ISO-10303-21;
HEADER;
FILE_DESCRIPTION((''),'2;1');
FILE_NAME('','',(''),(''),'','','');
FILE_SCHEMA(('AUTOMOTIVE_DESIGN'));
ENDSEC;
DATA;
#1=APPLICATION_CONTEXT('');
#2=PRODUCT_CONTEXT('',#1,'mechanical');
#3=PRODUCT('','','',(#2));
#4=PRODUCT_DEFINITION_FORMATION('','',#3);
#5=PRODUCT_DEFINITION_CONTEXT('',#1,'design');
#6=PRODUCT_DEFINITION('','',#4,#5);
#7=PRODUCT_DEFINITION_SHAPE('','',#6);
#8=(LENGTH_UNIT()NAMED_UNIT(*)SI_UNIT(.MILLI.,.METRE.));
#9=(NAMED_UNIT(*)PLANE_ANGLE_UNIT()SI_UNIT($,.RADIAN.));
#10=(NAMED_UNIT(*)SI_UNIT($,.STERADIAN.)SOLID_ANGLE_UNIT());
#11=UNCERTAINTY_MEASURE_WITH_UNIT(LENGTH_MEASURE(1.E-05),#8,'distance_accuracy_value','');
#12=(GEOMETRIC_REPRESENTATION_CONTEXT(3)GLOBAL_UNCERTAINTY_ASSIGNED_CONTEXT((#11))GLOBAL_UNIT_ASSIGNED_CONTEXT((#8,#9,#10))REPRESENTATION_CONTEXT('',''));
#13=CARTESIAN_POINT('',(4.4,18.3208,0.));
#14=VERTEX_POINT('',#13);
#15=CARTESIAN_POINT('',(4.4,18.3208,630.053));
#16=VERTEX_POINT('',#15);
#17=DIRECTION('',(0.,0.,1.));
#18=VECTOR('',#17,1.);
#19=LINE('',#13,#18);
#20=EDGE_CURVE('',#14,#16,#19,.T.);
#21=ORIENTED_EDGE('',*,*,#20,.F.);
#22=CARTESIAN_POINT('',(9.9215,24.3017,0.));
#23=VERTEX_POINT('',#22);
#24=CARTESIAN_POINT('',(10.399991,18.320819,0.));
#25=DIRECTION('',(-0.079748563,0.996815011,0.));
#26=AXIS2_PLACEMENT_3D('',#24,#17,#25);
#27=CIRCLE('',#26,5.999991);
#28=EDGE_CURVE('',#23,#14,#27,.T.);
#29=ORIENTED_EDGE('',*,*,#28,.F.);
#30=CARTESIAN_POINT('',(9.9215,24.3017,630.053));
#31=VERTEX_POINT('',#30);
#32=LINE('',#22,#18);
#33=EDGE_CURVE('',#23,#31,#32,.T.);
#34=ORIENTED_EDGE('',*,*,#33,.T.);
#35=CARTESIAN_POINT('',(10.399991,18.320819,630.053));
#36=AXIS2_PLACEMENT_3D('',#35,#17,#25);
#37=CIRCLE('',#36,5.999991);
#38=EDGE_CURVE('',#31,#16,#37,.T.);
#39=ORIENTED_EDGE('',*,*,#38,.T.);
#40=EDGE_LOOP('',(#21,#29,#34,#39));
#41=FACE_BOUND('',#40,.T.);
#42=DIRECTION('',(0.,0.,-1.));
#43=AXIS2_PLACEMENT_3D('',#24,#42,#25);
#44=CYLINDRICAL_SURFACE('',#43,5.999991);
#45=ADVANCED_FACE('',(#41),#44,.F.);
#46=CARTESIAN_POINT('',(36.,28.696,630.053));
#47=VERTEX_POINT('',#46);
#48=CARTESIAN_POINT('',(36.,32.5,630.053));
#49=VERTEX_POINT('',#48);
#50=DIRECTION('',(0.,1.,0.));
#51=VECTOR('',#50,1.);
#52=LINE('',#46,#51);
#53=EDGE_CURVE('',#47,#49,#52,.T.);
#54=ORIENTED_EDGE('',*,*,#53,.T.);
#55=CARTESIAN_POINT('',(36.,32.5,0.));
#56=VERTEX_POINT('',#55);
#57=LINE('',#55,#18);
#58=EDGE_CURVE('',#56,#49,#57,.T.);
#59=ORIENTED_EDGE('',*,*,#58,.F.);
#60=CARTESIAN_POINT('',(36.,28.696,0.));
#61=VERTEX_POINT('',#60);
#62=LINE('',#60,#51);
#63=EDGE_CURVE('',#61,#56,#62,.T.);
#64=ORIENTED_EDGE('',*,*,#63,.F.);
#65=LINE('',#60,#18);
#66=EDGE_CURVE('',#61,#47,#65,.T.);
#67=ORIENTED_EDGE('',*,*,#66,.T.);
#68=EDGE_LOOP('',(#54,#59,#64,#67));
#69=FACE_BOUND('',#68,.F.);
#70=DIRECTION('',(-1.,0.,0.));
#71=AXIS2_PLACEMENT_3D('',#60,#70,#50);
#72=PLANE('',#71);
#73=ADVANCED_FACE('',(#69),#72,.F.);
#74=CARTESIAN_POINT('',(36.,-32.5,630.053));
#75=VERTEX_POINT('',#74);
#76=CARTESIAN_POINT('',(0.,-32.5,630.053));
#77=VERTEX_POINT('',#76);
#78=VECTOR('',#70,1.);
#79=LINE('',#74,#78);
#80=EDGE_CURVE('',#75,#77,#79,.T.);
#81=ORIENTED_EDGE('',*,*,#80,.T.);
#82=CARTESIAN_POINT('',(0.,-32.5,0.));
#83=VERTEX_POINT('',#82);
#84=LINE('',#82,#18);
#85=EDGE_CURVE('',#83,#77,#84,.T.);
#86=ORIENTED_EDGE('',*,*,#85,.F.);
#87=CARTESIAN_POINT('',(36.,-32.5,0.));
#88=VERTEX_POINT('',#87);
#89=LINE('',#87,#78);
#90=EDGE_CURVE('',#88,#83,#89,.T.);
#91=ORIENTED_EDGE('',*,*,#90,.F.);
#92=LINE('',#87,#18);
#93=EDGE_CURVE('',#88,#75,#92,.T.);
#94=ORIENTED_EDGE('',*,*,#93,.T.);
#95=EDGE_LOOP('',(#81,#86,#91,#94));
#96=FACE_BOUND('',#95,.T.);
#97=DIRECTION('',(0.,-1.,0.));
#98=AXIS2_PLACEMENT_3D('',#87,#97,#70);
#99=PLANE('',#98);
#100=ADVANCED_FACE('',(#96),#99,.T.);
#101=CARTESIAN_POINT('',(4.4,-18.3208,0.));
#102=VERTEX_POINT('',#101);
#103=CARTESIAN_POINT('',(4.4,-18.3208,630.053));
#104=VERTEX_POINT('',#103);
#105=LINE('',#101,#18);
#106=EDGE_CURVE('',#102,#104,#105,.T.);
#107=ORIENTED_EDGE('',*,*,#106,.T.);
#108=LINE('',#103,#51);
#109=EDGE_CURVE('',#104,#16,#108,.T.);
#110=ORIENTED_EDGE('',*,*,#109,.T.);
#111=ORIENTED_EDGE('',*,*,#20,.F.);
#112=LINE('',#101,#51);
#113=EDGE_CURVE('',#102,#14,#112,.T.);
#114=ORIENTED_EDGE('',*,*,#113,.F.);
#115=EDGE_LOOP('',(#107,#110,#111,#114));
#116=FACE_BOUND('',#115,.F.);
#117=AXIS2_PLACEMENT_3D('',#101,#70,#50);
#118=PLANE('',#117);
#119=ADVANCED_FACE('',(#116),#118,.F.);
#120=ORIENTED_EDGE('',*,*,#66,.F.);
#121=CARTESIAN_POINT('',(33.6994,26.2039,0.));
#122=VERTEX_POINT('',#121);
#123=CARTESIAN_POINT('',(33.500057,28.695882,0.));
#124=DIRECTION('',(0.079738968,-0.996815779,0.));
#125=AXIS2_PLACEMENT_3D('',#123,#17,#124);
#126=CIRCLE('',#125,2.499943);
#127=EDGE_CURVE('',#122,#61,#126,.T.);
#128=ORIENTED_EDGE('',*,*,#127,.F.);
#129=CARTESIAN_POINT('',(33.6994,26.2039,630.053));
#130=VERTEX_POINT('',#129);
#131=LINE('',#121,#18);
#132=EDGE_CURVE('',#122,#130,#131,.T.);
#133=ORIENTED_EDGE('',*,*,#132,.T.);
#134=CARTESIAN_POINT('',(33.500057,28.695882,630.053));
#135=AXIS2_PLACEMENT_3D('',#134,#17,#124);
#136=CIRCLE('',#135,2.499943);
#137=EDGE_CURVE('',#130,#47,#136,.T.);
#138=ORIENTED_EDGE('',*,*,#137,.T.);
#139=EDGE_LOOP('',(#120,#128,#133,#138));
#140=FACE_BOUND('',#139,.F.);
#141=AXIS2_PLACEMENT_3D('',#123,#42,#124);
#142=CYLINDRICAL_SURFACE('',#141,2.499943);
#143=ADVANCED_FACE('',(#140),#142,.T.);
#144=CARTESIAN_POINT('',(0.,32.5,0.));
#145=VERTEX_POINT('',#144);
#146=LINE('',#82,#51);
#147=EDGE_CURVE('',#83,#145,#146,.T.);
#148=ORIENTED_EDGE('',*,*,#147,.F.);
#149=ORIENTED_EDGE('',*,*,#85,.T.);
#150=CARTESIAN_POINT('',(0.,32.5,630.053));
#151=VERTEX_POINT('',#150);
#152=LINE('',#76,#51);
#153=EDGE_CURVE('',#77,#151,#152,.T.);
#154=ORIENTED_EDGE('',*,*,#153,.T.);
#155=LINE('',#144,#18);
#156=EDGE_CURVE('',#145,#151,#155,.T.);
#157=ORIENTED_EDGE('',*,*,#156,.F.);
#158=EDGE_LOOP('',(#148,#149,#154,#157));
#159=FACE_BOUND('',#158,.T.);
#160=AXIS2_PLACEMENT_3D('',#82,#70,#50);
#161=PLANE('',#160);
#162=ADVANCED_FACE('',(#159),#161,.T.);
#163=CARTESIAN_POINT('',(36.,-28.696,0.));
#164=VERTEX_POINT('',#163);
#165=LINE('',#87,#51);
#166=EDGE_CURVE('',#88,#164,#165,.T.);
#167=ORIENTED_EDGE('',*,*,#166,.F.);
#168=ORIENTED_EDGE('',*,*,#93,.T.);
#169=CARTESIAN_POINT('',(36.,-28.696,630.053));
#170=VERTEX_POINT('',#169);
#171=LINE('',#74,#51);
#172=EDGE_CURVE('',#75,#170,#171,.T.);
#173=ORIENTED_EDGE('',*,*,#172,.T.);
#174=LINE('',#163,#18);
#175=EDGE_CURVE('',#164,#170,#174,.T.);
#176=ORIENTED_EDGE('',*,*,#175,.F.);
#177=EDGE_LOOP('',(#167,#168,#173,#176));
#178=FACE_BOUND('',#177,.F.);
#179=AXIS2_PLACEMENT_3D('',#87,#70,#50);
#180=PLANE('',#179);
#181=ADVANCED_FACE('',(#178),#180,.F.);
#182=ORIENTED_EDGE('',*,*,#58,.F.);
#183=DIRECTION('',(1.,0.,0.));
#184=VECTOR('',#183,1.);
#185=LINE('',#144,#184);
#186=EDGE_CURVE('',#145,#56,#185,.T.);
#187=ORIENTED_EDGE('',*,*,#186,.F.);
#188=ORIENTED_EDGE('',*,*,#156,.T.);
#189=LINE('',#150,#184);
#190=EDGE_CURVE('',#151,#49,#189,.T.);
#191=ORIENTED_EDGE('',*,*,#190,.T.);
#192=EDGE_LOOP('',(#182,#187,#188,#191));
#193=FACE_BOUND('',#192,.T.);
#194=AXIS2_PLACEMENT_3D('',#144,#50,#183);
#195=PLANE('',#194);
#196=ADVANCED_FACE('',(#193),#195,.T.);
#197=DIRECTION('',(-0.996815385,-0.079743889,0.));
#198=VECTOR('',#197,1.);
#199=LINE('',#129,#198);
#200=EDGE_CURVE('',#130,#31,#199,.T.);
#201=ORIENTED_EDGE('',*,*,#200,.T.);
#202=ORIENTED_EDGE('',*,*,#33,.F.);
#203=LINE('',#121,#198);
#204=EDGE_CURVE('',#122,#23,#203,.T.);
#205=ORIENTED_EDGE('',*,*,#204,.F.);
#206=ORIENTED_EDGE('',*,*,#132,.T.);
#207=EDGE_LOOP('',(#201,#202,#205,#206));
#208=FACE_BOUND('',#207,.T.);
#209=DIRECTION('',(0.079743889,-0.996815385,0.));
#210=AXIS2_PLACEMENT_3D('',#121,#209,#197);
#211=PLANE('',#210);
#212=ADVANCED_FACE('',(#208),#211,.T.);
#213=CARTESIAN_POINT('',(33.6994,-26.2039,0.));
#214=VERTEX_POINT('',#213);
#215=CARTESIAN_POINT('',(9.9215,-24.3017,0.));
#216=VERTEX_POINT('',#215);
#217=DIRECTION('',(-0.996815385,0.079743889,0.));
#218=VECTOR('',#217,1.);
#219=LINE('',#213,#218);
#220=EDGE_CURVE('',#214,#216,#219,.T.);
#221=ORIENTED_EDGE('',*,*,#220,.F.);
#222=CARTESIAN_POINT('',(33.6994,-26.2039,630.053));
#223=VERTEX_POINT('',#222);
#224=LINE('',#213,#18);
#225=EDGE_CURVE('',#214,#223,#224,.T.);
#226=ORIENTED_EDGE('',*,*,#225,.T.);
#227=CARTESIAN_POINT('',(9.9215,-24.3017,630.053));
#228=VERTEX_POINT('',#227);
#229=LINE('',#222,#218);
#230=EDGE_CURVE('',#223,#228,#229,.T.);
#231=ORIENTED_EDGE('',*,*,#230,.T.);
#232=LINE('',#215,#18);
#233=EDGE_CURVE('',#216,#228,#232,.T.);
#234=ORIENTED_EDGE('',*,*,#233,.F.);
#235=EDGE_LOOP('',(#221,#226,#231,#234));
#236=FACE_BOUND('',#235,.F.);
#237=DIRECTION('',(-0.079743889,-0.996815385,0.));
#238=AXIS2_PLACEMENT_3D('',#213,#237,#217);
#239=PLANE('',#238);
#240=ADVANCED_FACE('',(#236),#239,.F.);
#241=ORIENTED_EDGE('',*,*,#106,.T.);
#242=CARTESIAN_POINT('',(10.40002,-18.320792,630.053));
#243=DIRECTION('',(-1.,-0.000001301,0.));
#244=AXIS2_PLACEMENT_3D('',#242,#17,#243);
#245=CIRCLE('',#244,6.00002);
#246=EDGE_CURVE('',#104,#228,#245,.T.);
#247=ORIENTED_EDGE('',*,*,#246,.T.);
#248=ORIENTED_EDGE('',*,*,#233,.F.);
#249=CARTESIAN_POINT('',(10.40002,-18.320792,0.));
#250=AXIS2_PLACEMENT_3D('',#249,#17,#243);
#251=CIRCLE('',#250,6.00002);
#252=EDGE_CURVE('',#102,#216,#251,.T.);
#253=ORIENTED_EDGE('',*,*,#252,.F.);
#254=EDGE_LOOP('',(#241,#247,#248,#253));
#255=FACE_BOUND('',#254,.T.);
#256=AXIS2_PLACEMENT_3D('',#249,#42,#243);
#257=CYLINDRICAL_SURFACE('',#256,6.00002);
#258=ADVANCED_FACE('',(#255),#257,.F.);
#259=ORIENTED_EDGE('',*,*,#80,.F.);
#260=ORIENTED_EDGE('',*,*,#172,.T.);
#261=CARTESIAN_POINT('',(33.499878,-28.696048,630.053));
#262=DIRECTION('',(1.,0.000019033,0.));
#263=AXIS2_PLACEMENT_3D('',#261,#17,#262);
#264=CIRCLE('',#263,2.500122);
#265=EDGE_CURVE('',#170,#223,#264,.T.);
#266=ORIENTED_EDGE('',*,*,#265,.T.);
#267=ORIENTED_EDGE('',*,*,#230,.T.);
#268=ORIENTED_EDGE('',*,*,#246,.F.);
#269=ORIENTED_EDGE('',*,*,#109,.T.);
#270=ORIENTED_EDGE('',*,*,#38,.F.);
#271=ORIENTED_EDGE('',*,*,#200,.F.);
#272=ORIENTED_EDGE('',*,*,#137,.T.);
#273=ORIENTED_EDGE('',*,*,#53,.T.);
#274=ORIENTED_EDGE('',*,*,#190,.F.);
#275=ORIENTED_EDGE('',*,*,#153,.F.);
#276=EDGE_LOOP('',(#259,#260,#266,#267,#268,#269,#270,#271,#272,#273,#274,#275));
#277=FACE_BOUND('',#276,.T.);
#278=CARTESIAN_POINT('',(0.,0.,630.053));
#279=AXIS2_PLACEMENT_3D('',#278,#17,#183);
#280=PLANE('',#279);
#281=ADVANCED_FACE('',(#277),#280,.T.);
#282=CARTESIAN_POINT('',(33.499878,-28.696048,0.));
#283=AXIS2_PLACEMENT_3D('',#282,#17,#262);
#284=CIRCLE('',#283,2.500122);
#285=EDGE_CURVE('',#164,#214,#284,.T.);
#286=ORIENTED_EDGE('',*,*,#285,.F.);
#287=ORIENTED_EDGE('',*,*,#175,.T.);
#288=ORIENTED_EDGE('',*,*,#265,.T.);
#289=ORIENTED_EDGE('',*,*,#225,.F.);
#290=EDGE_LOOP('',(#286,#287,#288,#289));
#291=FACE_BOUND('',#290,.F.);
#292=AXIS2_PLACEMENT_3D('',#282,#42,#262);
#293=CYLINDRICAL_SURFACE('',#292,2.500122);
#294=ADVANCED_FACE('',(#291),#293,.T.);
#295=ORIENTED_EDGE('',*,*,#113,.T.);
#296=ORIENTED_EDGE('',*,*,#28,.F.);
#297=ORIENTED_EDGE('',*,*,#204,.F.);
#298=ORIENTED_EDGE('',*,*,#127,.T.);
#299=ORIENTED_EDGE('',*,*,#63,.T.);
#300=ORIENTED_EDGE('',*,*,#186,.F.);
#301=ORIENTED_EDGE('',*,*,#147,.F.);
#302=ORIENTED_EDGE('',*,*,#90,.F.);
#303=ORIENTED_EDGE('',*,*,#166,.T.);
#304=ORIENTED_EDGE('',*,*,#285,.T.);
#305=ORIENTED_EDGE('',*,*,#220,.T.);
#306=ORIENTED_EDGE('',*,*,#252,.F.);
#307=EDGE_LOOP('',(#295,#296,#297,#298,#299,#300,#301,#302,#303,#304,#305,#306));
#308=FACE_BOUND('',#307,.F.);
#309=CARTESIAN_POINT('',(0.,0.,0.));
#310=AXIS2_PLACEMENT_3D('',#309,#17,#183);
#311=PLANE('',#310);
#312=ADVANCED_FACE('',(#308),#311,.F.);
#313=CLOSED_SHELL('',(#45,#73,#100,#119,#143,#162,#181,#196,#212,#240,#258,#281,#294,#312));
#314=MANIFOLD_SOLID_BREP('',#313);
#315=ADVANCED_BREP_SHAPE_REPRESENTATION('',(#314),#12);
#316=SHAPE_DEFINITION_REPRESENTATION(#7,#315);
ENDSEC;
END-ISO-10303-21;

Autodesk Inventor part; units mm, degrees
ref_plane "YZ Plane" through (0, 0, 0) normal (1, 0, 0) x (0, 1, 0)
ref_plane "Начальная плоскость" through (0, 0, 0) normal (0, 0, 1) x (1, 0, 0)
ref_plane "Конечная плоскость" through (0, 0, 630.053) normal (0, 0, 1) x (1, 0, 0)
sketch "Эскиз" plane through (0, 0, 0) normal (0, 0, 1) x (1, 0, 0)
  line L0 (36, -32.5) -> (0, -32.5)
  line L1 (36, -32.5) -> (36, -28.696)
  line L2 (33.6994, -26.2039) -> (9.9215, -24.3017)
  line L3 (4.4, -18.3208) -> (4.4, 18.3208)
  line L4 (33.6994, 26.2039) -> (9.9215, 24.3017)
  line L5 (36, 28.696) -> (36, 32.5)
  line L6 (0, 32.5) -> (36, 32.5)
  line L7 (0, -32.5) -> (0, 32.5)
  arc A0 (4.4, -18.3208) -> (9.9215, -24.3017) centre (10.4, -18.3208) ccw
  arc A1 (9.9215, 24.3017) -> (4.4, 18.3208) centre (10.4, 18.3208) ccw
  arc A2 (36, -28.696) -> (33.6994, -26.2039) centre (33.5, -28.696) ccw
  arc A3 (33.6994, 26.2039) -> (36, 28.696) centre (33.5, 28.696) ccw
  line L8 (0, 45.5) -> (0, -45.5) construction
  line L9 (-7.2974, 0) -> (43.7847, 0) construction
  point P0 (36, -26.388)
  point P1 (4.4, -23.86)
  point P2 (4.4, 23.86)
  point P3 (36, 26.388)
  dimension "d3" = 36
  dimension "d5" = 4.4
  dimension "d7" = 65
  dimension "d9" = 8.64
  dimension "d11" = 8.64
  dimension "d13" = 6.112
  dimension "d15" = 6.112
  dimension "d22" = 6
  dimension "d23" = 2.5
  dimension "d24" = 32.5
  dimension "d25" = 0
extrude "Тело" add sketch "Эскиз" along normal up to surface (630.053 mm away) from surface at 0
sketch "Sketch3" plane through (0, 0, 0) normal (0, 0, 1) x (1, 0, 0)
  line L0 (0, 0) -> (10, 0)
ref_plane "Work Plane7" through (0, 0, 0) normal (0, -1, 0) x (1, 0, 0)
sketch "Sketch4" plane through (0, 0, 0) normal (0, -1, 0) x (1, 0, 0)
  line L0 (-2, 0) -> (12, 0)
  line L1 (-2, 630.053) -> (12, 630.053)
  dimension "d29" = 630.053
equation "\"d3\" = b"
equation "\"d5\" = t1"
equation "\"d7\" = ParH"
equation "\"d9\" = msp_x1 + t2"
equation "\"d11\" = msp_x1 + t2"
equation "\"d13\" = -msp_x2 + t2"
equation "\"d15\" = -msp_x2 + t2"
equation "\"d22\" = R"
equation "\"d23\" = R1"
equation "\"d24\" = 0.5 * d7"
equation "\"d16\" = G_L"
equation "\"R1\" = 2.5"
equation "\"R\" = 6"
equation "\"t1\" = 4.4"
equation "\"t2\" = 7.2"
equation "\"ParH\" = 65"
equation "\"b\" = 36"
equation "\"msp_x1\" = 0.04 * b"
equation "\"msp_x2\" = -0.08 * t1 + 0.04 * b"
equation "\"G_L\" = d29"
equation "\"ex\" = 0"
equation "\"G_OFFSET_START\" = 0"
equation "\"G_OFFSET_END\" = 0"
equation "\"d27\" = G_OFFSET_END + B_L"
equation "\"B_L\" = 630.053"
properties part number "Швеллер 6.5U-630,05 ГОСТ 8240-97" material "Сталь, мягкая"
